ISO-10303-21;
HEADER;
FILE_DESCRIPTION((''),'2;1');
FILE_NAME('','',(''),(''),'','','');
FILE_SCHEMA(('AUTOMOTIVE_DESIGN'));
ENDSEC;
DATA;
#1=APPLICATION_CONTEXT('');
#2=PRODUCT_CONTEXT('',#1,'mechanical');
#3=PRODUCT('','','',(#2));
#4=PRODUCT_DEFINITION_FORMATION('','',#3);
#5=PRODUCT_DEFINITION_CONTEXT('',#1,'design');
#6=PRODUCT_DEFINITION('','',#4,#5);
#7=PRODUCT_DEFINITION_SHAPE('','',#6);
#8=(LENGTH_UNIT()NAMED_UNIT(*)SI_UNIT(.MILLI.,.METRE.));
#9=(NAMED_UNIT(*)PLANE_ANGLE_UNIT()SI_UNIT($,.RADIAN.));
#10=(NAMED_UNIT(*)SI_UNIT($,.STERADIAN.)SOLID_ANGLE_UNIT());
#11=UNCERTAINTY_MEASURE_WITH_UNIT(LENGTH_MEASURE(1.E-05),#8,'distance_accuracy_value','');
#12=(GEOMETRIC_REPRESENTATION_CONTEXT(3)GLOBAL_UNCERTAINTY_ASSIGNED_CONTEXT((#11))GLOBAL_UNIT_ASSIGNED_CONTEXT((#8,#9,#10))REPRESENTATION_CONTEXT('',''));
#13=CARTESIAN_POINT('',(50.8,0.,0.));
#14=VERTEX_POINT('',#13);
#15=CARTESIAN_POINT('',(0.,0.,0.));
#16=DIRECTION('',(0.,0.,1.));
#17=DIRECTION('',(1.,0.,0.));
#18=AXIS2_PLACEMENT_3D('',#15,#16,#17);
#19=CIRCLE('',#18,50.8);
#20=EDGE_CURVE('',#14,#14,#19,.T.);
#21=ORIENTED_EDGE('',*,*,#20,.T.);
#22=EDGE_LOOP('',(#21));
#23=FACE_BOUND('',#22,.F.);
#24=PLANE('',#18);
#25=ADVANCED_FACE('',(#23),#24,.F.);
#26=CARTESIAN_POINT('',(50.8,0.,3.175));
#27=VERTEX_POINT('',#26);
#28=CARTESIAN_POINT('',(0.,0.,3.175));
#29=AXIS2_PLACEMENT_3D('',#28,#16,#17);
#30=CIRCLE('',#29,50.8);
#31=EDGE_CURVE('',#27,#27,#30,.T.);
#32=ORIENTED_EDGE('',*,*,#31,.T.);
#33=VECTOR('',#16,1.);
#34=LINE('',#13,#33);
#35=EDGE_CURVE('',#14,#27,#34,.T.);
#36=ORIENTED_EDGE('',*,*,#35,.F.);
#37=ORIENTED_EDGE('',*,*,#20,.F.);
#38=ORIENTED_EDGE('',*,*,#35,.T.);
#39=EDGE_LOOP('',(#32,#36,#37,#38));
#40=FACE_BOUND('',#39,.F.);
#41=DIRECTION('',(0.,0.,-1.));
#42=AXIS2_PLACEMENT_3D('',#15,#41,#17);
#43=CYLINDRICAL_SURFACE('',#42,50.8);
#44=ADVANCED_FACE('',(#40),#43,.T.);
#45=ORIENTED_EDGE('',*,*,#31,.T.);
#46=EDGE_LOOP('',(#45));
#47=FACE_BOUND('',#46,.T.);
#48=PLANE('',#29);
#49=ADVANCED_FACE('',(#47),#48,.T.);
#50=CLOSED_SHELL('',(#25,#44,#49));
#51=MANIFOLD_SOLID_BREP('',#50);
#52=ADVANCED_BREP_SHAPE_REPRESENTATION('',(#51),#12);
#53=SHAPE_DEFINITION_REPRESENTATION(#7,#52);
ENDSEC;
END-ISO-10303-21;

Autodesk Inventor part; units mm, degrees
ref_plane "YZ Plane" through (0, 0, 0) normal (1, 0, 0) x (0, 1, 0)
ref_plane "XZ Plane" through (0, 0, 0) normal (0, 1, 0) x (-1, 0, 0)
ref_plane "XY Plane" through (0, 0, 0) normal (0, 0, 1) x (1, 0, 0)
sketch "Sketch1" plane through (0, 0, 0) normal (0, 0, 1) x (1, 0, 0)
  circle A0 centre (0, 0) radius 50.8
  dimension "d0" = 101.6
extrude "Extrusion1" add sketch "Sketch1" along normal blind 3.175
properties part number "Mounting disc"
